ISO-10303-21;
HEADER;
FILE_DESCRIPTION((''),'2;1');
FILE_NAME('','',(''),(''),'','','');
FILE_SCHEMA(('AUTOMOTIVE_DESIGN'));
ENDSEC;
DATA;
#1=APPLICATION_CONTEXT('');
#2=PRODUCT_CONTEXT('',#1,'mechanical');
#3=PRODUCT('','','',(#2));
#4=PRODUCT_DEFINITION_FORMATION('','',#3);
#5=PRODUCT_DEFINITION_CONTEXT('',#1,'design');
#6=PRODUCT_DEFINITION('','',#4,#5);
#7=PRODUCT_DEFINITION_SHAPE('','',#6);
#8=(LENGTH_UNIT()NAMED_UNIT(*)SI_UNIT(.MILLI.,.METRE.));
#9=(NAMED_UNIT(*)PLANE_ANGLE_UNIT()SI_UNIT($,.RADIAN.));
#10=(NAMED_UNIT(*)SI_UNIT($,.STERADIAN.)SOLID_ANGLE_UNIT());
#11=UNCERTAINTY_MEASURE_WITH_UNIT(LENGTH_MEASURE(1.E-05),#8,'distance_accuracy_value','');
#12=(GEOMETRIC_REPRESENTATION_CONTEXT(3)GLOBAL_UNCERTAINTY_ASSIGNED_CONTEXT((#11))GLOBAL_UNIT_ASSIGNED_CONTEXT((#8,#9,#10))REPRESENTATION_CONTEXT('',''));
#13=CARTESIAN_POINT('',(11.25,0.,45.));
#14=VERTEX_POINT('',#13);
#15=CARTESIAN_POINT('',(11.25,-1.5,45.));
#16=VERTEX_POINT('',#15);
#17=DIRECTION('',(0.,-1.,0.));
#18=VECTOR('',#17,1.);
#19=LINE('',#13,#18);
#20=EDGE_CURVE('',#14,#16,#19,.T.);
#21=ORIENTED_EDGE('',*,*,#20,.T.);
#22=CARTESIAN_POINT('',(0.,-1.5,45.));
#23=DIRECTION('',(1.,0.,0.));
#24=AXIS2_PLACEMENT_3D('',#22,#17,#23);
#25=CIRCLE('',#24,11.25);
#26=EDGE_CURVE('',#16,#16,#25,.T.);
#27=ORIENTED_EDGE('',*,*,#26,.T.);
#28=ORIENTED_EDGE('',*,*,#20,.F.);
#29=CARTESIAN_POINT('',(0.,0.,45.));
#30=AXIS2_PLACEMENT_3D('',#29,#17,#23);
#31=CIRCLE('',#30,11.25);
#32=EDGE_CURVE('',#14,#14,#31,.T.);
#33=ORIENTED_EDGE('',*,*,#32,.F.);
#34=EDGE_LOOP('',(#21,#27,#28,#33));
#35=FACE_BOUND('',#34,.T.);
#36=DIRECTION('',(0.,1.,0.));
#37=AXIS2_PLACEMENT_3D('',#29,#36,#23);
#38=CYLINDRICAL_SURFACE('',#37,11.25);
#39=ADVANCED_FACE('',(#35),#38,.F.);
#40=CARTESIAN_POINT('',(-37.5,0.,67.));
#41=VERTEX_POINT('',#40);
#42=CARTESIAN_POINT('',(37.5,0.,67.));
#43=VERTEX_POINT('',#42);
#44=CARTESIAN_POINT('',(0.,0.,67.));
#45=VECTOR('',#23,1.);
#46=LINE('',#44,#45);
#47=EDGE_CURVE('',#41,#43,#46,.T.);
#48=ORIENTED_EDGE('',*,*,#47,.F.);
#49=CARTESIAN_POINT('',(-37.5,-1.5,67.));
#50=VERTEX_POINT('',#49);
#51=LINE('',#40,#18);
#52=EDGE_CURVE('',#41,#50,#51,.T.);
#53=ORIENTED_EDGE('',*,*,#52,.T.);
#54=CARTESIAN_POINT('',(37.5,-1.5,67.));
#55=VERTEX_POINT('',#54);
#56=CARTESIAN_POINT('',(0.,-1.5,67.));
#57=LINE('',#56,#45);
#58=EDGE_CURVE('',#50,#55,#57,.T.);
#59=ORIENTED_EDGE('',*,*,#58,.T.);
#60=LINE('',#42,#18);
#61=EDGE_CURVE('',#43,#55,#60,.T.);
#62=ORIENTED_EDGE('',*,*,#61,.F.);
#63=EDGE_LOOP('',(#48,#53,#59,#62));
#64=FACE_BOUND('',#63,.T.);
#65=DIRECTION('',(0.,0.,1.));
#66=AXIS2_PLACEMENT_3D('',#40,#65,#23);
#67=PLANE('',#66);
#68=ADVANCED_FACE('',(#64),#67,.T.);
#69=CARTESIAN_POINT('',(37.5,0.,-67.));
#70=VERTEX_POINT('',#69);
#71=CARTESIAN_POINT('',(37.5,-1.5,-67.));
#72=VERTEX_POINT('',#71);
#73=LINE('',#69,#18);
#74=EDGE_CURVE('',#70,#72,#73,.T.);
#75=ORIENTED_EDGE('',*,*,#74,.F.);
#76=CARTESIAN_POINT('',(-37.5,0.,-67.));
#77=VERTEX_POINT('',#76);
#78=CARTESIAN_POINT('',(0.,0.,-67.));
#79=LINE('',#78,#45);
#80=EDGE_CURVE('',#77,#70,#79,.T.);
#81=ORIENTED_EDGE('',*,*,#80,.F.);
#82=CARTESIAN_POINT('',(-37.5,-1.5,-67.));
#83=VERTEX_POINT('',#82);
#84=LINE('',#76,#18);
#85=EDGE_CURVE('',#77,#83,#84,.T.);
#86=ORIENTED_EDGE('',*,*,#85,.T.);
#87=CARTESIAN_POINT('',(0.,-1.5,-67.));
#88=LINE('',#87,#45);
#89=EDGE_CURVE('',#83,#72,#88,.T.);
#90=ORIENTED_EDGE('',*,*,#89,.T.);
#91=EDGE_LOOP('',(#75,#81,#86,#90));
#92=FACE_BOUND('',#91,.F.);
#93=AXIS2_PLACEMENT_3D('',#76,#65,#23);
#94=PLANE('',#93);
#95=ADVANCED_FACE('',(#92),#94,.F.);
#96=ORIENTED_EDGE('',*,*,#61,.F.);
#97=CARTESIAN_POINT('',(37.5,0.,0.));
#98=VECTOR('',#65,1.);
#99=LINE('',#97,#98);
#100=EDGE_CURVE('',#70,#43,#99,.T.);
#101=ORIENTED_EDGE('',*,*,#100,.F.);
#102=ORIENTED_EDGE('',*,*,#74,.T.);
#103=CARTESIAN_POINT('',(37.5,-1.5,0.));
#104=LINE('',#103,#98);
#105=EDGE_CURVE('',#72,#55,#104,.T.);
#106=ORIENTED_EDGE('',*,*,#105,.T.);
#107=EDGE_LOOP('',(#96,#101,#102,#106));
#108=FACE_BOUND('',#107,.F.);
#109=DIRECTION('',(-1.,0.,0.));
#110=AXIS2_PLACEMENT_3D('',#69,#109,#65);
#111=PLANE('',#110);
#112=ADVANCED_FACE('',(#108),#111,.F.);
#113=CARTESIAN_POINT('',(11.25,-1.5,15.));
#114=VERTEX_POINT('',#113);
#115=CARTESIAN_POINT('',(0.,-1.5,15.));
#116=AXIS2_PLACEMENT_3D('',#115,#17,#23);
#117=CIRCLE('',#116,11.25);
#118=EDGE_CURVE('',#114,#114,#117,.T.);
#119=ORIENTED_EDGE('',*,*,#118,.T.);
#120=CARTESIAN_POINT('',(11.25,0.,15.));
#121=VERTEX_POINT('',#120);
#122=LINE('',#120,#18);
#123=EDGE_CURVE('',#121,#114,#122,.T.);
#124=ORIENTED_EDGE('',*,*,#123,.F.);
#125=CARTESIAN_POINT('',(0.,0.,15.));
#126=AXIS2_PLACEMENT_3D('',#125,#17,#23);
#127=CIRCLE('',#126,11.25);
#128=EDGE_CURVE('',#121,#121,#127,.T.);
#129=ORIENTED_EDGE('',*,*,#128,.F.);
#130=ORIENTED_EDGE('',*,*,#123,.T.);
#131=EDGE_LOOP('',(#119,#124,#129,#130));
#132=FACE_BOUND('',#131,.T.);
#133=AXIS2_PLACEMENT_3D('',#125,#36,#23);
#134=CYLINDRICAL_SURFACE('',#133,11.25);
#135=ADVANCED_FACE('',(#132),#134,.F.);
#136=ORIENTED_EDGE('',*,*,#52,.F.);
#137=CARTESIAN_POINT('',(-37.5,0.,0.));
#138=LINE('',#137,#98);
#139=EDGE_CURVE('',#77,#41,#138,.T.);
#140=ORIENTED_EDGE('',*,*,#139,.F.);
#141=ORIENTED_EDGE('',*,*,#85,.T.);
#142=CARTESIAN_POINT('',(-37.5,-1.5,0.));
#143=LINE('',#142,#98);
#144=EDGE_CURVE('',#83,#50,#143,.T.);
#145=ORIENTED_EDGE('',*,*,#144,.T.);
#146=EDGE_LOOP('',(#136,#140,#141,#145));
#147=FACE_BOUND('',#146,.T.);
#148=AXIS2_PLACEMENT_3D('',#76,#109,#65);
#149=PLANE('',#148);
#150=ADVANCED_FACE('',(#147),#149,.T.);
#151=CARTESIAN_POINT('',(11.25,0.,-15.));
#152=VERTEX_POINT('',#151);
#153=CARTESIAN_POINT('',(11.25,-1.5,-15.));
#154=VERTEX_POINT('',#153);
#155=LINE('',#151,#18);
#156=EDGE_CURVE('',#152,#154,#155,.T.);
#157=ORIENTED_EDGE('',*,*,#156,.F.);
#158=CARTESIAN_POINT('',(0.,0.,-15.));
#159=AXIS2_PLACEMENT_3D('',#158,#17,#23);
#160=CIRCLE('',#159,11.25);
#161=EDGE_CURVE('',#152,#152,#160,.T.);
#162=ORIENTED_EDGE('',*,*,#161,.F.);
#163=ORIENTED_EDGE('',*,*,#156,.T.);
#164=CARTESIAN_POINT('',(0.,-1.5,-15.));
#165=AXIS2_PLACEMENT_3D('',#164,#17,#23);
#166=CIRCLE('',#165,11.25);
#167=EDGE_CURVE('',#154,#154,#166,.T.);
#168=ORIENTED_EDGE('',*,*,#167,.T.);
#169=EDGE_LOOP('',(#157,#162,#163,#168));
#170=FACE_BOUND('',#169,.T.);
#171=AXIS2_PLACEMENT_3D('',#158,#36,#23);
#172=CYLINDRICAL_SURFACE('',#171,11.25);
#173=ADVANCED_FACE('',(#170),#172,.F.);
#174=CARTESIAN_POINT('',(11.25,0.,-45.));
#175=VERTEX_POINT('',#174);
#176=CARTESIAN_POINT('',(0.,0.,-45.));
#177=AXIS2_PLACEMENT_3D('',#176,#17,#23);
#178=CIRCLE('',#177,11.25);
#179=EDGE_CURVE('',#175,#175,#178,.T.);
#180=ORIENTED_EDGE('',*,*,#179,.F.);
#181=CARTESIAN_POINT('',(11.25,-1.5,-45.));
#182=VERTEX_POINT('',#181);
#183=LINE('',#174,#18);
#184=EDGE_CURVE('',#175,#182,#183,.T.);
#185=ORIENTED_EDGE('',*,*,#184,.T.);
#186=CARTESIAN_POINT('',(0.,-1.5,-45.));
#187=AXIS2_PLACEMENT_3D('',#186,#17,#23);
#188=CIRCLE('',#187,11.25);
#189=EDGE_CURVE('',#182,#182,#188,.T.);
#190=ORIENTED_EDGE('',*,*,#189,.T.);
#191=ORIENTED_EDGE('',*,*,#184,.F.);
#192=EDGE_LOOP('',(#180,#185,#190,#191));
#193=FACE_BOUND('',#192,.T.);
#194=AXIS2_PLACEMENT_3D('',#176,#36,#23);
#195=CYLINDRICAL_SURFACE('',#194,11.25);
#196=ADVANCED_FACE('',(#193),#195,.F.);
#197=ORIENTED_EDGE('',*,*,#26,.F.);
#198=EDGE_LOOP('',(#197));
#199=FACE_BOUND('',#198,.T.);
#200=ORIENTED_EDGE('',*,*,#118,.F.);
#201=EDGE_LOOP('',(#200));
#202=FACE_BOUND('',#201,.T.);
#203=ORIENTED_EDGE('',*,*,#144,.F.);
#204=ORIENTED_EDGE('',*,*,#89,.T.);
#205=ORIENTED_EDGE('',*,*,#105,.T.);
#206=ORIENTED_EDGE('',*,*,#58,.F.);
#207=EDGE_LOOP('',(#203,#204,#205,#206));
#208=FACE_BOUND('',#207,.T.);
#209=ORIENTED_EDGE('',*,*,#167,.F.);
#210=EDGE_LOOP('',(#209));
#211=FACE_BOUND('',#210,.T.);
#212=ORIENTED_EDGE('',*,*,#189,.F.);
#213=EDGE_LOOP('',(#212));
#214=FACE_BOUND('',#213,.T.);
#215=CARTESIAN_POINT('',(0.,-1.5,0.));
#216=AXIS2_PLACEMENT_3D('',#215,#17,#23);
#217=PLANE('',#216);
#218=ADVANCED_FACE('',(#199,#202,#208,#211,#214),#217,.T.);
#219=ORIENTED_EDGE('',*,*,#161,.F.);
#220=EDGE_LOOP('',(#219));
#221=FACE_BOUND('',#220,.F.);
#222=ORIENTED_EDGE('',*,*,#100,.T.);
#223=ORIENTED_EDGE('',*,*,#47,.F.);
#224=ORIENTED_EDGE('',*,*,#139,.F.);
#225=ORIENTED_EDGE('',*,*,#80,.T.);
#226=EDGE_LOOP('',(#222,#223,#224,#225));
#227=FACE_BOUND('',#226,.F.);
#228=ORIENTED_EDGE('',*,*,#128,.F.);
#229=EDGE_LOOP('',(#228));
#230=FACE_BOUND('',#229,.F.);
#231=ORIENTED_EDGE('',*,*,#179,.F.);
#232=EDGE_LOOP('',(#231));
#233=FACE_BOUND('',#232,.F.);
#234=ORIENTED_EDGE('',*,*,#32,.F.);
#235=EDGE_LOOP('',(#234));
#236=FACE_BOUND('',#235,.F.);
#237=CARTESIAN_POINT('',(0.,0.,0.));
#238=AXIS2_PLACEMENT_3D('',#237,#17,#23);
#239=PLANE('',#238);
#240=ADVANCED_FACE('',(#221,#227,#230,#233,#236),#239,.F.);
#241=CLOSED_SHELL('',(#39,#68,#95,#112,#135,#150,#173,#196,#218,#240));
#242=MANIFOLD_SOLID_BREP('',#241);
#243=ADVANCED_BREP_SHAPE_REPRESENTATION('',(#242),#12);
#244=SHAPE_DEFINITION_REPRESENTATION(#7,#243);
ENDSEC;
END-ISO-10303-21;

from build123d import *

# Parameters (mm, degrees)
F0_W     = 75
F0_H     = 134
F0_R     = 11.25
F1_DEPTH = 1.5


with BuildPart() as f1:
    # F0 (on Front) → F1 (new body)
    with BuildSketch(Plane.XZ):
        Rectangle(F0_W, F0_H)
        with Locations((0, -45)):
            Circle(F0_R, mode=Mode.SUBTRACT)
        with Locations((0, -15)):
            Circle(F0_R, mode=Mode.SUBTRACT)
        with Locations((0, 15)):
            Circle(F0_R, mode=Mode.SUBTRACT)
        with Locations((0, 45)):
            Circle(F0_R, mode=Mode.SUBTRACT)
    extrude(amount=F1_DEPTH)


solid = f1.part
